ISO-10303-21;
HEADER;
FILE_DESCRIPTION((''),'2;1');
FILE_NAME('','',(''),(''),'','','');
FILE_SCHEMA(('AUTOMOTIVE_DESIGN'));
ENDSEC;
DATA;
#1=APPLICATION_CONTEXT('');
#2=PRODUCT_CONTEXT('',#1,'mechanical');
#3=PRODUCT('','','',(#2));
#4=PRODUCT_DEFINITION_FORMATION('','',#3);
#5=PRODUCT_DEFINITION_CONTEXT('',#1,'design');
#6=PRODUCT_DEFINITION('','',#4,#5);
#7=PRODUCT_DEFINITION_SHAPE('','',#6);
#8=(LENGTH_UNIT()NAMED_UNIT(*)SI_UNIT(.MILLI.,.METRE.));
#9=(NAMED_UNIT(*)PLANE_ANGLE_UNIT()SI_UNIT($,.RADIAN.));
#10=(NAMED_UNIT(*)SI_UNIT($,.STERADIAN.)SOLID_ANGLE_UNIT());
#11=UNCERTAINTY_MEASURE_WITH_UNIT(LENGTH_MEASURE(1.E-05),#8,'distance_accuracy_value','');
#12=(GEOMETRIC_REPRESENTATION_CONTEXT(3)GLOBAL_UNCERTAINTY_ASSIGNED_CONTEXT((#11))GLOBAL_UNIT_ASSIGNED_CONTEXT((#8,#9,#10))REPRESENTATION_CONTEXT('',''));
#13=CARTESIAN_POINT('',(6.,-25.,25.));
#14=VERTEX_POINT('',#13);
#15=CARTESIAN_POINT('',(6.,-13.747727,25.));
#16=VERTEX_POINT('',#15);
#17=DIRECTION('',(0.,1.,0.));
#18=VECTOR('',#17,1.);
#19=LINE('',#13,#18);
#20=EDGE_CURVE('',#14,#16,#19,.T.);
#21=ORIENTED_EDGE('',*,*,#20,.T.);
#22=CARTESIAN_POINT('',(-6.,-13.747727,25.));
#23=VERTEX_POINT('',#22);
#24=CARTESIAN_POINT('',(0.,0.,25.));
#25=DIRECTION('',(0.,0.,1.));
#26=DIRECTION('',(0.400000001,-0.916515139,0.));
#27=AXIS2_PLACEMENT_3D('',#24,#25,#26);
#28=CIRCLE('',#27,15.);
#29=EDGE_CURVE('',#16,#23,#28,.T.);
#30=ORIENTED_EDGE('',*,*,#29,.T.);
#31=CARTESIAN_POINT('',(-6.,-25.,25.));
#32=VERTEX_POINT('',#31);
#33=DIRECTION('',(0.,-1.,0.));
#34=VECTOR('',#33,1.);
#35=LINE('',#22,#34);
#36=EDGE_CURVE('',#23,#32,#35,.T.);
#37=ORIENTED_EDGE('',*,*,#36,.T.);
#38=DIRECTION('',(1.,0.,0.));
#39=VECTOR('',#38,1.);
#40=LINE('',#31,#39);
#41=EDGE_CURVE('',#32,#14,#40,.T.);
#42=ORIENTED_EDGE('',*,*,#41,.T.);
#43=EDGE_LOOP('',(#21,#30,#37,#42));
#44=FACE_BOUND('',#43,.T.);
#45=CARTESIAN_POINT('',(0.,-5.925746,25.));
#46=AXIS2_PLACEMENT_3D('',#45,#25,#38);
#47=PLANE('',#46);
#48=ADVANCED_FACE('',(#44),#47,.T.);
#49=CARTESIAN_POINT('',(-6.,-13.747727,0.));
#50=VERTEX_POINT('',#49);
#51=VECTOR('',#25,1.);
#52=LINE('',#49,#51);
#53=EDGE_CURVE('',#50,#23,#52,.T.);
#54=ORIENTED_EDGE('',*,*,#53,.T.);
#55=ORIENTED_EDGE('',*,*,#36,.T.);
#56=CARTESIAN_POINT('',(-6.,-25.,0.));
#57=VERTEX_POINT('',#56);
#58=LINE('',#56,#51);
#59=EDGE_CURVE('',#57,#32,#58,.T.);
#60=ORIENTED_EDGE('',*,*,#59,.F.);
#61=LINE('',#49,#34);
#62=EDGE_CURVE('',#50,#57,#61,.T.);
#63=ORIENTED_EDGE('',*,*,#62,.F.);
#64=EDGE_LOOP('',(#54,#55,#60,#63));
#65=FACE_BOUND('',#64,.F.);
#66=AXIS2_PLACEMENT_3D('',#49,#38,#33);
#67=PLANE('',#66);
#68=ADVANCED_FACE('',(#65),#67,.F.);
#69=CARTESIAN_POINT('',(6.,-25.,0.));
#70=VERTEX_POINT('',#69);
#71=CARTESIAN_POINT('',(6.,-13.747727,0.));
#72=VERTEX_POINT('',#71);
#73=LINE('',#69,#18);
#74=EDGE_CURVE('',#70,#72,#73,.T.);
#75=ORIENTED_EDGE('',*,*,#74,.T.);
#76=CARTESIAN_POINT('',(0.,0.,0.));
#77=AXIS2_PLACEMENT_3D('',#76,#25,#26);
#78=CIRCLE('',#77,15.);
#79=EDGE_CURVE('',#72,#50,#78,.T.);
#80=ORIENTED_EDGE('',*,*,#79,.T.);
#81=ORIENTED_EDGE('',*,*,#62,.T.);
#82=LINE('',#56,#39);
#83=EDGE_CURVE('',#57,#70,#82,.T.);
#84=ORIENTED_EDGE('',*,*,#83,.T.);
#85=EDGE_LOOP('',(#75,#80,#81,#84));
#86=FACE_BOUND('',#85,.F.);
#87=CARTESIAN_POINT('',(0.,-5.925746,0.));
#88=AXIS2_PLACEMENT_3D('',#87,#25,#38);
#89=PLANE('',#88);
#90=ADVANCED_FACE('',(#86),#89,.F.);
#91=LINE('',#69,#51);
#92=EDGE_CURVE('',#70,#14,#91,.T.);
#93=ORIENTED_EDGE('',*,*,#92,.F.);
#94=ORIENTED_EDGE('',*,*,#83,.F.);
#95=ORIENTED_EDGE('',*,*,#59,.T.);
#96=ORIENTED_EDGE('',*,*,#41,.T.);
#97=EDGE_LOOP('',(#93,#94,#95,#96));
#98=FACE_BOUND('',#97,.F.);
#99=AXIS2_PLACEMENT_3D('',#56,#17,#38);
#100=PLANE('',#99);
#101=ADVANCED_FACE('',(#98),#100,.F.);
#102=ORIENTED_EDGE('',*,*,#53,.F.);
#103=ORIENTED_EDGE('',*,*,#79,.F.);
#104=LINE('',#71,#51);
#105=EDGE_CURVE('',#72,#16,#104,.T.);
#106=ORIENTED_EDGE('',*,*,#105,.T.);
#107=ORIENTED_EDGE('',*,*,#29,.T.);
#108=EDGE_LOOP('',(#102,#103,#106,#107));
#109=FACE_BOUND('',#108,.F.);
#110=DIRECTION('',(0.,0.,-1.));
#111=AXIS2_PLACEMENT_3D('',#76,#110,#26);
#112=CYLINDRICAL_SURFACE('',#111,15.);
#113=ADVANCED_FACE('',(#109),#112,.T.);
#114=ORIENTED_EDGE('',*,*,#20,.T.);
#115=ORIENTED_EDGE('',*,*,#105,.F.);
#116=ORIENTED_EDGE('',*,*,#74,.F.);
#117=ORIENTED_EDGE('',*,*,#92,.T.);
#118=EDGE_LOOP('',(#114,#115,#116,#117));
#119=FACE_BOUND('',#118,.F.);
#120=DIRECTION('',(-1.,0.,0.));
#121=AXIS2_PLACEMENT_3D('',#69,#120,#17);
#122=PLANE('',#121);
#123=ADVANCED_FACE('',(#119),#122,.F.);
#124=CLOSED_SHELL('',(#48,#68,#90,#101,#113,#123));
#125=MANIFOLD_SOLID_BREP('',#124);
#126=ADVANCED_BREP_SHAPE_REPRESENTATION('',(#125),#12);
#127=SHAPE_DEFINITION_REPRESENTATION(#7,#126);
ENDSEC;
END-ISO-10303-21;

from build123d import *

# Parameters (mm, degrees)
F1_DEPTH = 25


with BuildPart() as f1:
    # F0 (on Top) → F1 (new body)
    with BuildSketch(Plane.XY):
        with BuildLine():
            Line((6, -25), (6, -13.747727))
            ThreePointArc((6, -13.747727), (0, 15), (-6, -13.747727))
            Line((-6, -13.747727), (-6, -25))
            Line((-6, -25), (0, -25))
            Line((0, -25), (6, -25))
        make_face()
    extrude(amount=F1_DEPTH)


solid = f1.part
